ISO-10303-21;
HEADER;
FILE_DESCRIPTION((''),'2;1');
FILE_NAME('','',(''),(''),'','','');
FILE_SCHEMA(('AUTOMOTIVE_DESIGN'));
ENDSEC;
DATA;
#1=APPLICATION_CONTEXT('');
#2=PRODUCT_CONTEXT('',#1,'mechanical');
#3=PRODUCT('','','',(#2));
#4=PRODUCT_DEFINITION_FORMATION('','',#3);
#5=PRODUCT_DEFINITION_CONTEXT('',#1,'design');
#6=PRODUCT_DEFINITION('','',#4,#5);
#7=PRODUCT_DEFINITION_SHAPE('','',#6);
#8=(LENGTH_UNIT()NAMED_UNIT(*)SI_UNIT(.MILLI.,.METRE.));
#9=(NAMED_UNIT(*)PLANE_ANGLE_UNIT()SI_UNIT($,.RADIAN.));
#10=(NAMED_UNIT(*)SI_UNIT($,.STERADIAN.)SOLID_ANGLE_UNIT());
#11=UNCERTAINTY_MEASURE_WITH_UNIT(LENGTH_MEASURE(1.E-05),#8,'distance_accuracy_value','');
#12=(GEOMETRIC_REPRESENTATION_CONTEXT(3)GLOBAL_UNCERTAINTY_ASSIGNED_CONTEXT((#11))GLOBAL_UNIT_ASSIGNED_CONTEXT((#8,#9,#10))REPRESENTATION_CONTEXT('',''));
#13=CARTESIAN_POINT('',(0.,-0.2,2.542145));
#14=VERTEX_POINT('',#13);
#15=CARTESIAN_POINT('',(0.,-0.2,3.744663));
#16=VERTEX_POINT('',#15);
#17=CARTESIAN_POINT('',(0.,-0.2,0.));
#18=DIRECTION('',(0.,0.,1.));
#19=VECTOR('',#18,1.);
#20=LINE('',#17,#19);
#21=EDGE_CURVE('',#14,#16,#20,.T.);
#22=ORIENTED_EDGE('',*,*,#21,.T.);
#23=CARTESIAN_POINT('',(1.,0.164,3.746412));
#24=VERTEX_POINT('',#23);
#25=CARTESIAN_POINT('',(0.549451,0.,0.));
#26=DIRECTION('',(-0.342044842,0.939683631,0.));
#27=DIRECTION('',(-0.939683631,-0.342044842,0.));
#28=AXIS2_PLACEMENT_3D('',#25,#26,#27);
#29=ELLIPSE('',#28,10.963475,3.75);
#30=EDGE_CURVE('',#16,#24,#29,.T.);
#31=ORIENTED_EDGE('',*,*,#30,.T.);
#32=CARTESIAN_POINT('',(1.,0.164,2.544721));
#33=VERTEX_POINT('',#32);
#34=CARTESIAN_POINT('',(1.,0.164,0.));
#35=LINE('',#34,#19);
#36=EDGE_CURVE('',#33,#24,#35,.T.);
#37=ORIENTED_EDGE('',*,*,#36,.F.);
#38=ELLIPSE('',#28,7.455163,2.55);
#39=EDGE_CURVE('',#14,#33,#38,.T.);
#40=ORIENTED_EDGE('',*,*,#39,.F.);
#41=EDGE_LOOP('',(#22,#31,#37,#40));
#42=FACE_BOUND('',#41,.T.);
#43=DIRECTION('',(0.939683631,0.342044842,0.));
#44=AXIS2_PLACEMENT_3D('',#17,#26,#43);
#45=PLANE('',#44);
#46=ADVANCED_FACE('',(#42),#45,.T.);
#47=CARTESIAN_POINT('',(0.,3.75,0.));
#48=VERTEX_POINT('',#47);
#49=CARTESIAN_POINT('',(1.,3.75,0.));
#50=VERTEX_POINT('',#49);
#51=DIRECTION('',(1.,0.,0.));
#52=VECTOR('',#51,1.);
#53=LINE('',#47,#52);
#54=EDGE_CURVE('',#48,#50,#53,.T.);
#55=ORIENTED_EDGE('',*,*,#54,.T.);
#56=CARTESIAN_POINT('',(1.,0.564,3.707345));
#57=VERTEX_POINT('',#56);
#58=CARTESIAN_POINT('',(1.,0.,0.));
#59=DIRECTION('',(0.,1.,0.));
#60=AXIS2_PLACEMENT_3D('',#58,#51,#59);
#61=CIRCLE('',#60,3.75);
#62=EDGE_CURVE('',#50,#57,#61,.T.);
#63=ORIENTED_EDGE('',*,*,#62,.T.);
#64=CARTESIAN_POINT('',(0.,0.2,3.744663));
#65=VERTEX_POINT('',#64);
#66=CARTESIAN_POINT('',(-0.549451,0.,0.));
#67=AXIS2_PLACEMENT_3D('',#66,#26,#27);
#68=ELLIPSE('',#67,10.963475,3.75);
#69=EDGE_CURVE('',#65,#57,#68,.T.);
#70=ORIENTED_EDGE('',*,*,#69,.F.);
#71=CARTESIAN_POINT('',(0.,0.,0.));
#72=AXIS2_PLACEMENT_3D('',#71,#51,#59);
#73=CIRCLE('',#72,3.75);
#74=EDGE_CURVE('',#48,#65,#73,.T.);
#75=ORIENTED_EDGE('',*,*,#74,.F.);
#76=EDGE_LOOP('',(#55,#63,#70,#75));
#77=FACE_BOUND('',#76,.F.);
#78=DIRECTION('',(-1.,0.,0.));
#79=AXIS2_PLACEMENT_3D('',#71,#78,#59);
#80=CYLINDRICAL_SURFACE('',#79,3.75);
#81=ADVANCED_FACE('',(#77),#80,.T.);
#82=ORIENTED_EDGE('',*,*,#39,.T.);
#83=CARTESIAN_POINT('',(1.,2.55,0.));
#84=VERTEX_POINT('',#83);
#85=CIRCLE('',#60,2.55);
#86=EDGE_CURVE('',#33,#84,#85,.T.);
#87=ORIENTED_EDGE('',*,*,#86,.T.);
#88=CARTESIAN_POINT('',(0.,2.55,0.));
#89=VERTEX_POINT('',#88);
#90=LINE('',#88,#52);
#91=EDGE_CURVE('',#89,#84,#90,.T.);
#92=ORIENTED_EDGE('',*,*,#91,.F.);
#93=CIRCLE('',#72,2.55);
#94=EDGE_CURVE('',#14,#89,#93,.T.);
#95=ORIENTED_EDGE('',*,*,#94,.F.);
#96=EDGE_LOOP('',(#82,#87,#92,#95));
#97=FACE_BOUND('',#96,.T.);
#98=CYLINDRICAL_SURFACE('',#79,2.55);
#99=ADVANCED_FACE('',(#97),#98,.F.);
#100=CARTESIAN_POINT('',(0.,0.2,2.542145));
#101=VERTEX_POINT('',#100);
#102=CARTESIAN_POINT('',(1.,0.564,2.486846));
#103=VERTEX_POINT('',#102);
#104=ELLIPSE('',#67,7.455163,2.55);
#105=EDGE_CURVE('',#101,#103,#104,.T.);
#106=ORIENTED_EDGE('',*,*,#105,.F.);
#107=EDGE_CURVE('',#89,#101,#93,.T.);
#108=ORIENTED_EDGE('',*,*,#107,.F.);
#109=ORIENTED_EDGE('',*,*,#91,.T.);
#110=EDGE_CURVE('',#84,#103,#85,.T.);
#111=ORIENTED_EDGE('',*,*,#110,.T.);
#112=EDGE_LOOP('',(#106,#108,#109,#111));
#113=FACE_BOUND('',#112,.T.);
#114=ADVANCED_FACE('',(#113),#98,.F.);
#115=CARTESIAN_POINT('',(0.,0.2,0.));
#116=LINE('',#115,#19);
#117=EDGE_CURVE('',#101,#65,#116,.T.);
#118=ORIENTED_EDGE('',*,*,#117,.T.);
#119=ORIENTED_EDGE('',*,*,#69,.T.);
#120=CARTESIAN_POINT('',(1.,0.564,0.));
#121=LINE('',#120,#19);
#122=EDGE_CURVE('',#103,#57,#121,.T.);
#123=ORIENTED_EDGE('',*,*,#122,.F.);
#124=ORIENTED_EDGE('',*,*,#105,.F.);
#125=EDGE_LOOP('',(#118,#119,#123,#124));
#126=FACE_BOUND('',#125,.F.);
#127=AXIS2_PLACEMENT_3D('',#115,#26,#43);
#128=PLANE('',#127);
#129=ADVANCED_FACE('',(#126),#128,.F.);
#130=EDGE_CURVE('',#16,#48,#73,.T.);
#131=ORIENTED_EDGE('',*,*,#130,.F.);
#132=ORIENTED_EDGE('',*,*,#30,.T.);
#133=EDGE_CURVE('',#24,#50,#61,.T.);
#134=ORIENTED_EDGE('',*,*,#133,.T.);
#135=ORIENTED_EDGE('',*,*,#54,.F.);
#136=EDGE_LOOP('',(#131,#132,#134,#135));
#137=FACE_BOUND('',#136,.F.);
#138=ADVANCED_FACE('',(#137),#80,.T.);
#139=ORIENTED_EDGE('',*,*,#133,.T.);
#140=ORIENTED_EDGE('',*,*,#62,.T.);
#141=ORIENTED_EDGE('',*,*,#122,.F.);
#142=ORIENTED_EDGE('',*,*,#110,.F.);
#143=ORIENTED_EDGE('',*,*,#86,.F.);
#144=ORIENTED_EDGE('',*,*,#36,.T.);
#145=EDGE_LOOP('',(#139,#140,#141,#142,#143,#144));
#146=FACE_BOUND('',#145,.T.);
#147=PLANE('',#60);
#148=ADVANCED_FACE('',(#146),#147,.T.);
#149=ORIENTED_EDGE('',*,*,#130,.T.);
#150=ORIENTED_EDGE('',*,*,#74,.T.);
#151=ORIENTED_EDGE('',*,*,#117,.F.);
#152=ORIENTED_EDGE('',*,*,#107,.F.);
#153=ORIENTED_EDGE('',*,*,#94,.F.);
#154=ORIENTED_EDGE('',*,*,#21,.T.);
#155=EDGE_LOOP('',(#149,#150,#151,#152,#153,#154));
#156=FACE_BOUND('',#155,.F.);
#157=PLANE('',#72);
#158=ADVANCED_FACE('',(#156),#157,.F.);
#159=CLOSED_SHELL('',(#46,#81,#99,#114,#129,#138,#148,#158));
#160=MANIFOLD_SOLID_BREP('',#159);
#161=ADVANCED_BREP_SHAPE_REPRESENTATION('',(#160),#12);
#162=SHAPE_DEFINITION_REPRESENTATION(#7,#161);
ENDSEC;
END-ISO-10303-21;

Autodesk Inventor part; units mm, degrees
ref_plane "YZ Plane" through (0, 0, 0) normal (1, 0, 0) x (0, 1, 0)
ref_plane "XZ Plane" through (0, 0, 0) normal (0, 1, 0) x (-1, 0, 0)
sketch "Эскиз1" plane through (0, 0, 0) normal (1, 0, 0) x (0, 1, 0)
  circle A0 centre (0, 0) radius 3.75
  circle A1 centre (0, 0) radius 2.55
  dimension "d0" = 5.1
  dimension "d1" = 7.5
extrude "Базовый элемент" add sketch "Эскиз1" along normal blind 1
sketch "Эскиз2" plane through (0, 0, 0) normal (0, 0, 1) x (1, 0, 0)
  line L0 (0, -2.55) -> (0, 2.55) projected
  line L1 (1, 3.75) -> (1, -3.75) projected
  line L2 (-1.2, 0) -> (7.2, 0) projected
  line L3 (0, -0.2) -> (1, 0.164)
  line L4 (0, 0.2) -> (1, 0.564)
  dimension "d4" = 0.2
  dimension "d5" = 0.2
  dimension "d6" = 70
extrude "Вырез" cut sketch "Эскиз2" along normal up to next contours L0 L2 L3 | L0 L4 L1 L3 L2
ref_plane "Work Plane1" through (0, 0, 0) normal (0, -1, 0) x (1, 0, 0)
equation "\"d0\" = SD1"
equation "\"d1\" = SD2"
equation "\"d2\" = SD"
equation "\"d4\" = 0.2 * SD"
equation "\"d5\" = 0.2 * SD"
equation "\"d6\" = FAWI"
equation "\"d7\" = SD"
equation "\"SD1\" = 5.1"
equation "\"SD2\" = 7.5"
equation "\"SD\" = 1"
equation "\"FAWI\" = 70deg"
equation "\"NND\" = 5"
properties part number "Шайба  5 L ГОСТ 6402-70" material "Сталь, мягкая"
